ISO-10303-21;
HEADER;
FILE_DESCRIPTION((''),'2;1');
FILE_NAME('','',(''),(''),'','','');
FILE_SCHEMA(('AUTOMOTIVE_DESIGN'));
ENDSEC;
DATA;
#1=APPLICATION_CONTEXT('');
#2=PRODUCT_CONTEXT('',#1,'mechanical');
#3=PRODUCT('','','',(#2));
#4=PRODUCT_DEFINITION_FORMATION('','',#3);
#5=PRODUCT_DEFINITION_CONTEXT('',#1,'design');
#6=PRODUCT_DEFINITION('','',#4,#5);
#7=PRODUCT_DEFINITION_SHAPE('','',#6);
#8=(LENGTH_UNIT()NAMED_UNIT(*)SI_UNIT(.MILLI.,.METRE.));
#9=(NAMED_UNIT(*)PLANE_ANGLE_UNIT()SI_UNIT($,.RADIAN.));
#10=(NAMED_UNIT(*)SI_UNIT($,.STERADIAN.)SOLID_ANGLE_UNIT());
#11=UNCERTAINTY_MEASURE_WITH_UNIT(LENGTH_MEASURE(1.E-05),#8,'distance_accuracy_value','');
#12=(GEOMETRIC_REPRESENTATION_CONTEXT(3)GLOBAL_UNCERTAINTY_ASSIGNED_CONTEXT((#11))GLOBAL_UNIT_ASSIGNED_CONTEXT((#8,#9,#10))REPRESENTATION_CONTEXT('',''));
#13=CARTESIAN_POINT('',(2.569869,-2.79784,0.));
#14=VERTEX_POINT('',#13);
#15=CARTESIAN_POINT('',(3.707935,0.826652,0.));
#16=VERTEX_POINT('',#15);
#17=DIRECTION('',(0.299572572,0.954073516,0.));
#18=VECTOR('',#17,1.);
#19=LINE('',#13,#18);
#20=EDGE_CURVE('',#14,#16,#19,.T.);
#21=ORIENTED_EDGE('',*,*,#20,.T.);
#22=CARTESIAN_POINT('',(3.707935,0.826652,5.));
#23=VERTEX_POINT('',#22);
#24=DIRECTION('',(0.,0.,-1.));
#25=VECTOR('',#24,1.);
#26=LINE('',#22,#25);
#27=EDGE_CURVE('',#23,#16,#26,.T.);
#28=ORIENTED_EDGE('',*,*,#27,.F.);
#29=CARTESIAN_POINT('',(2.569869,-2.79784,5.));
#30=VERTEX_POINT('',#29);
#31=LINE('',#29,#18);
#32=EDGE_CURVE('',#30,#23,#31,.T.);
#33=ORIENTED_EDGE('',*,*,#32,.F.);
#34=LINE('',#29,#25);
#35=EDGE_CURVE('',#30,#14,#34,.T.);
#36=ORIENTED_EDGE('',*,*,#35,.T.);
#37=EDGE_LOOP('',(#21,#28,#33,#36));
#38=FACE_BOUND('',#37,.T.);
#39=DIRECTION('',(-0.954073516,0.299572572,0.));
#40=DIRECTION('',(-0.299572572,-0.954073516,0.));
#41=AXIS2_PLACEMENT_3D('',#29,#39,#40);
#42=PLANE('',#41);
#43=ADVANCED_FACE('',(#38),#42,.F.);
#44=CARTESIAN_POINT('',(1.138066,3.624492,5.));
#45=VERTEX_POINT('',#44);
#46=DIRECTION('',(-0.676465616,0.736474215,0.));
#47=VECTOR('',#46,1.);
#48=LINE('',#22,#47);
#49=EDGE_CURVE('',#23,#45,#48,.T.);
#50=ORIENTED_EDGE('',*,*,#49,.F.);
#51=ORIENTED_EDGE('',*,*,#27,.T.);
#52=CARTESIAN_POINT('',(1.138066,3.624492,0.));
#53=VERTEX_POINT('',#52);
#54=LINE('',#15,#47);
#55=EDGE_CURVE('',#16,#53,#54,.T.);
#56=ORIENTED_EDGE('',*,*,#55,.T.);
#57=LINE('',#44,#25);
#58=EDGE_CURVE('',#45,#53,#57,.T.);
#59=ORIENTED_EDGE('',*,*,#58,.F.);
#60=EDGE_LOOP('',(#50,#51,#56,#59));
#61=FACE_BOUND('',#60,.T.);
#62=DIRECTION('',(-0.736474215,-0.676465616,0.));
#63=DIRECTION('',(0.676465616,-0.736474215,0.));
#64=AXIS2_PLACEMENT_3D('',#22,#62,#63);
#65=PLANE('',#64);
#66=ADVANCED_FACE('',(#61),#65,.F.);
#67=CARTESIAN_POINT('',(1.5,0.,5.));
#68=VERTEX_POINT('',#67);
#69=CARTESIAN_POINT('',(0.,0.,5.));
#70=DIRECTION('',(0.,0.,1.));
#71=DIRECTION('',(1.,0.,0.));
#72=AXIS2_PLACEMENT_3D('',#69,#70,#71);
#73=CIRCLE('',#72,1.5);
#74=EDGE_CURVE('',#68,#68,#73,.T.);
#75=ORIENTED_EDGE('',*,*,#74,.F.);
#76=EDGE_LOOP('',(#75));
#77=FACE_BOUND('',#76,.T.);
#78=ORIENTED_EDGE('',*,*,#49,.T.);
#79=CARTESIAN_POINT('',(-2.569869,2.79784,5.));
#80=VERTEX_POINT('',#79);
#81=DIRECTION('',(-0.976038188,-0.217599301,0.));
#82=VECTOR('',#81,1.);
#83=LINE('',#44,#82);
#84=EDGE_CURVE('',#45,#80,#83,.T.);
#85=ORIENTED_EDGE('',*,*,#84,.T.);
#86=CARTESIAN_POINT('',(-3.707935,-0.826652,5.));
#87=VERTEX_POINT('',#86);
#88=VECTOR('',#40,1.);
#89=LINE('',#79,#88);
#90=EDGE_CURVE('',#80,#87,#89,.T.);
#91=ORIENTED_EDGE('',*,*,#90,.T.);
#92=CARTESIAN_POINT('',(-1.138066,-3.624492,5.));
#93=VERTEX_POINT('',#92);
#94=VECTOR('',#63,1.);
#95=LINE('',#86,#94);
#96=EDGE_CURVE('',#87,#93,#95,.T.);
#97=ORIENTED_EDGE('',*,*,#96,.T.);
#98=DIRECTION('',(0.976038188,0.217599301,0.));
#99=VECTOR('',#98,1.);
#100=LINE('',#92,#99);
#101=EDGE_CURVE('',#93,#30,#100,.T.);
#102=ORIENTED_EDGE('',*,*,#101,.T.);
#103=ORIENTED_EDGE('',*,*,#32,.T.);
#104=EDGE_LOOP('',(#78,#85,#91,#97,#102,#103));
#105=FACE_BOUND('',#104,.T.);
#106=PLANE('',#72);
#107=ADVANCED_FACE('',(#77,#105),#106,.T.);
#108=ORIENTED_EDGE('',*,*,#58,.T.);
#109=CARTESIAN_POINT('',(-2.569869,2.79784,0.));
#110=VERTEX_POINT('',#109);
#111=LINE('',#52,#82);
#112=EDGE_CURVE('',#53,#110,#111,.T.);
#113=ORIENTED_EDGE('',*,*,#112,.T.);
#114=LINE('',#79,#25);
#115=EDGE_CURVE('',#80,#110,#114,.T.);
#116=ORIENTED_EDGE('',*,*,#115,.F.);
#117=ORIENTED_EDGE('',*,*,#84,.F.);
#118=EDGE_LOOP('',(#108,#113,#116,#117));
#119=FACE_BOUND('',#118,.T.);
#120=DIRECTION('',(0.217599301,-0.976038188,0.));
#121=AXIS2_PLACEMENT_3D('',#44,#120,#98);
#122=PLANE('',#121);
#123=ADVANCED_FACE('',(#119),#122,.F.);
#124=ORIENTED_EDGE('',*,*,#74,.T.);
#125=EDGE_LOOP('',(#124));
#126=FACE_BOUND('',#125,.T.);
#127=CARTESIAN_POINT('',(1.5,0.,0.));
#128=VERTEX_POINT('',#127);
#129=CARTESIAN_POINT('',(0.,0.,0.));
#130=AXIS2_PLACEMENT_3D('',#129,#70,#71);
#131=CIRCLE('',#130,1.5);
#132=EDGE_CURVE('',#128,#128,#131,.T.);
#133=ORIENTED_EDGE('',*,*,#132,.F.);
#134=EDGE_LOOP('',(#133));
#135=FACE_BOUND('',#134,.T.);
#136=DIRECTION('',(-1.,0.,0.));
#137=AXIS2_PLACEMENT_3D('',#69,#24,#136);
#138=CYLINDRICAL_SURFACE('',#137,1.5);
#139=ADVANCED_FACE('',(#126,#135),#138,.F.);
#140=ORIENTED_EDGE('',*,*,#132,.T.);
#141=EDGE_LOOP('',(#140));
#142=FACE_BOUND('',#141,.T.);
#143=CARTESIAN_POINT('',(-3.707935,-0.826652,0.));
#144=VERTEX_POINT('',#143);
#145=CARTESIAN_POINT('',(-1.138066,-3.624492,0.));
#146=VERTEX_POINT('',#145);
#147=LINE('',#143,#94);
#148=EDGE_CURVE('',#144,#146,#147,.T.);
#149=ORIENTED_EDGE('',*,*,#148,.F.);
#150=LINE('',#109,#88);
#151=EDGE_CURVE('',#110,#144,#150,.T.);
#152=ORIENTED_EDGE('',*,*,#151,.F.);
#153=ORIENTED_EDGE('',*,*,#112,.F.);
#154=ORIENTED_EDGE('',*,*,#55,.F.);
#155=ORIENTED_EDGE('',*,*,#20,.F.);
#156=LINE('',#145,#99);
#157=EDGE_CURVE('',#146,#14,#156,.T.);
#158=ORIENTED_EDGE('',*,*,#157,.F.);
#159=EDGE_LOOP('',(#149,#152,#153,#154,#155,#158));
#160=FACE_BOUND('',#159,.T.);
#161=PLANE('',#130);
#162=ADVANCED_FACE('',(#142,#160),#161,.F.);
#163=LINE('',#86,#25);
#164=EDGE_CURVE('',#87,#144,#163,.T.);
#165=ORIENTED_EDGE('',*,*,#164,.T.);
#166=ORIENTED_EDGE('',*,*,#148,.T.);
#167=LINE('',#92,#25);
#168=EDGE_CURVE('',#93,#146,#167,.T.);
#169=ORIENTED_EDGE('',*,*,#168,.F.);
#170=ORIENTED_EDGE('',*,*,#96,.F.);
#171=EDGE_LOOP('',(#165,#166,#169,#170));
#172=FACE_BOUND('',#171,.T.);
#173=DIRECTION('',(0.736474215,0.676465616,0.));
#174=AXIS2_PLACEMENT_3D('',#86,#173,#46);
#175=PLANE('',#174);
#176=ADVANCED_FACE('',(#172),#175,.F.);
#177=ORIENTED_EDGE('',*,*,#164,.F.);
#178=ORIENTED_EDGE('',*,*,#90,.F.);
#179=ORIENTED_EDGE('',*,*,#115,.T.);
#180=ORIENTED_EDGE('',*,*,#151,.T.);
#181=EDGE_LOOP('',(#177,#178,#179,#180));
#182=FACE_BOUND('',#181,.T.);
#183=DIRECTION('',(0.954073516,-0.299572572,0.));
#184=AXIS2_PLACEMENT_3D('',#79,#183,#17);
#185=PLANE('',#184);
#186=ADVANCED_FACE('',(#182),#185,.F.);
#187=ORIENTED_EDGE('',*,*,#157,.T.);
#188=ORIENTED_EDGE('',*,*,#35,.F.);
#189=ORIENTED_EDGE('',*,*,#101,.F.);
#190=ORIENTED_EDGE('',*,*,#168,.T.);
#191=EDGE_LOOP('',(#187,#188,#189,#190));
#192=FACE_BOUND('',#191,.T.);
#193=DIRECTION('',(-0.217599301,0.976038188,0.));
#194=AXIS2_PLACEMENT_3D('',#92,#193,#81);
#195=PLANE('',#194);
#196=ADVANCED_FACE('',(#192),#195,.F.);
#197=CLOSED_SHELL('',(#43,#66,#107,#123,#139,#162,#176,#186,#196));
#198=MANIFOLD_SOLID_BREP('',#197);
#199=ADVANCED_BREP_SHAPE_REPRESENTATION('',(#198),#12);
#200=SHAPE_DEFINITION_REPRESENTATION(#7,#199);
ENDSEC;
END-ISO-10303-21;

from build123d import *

# Parameters (mm, degrees)
SKETCH1_R           = 1.5
BOSS_EXTRUDE1_DEPTH = 5


with BuildPart() as part:
    # Sketch1 → Boss-Extrude1 (new body)
    with BuildSketch(Plane.XY):
        Polygon((1.138065646, 3.624491677), (-2.569869045, 2.797839599), (-3.707934691, -0.826652078), (-1.138065646, -3.624491677), (2.569869045, -2.797839599), (3.707934691, 0.826652078), align=None)
        Circle(SKETCH1_R, mode=Mode.SUBTRACT)
    extrude(amount=BOSS_EXTRUDE1_DEPTH)


solid = part.part
